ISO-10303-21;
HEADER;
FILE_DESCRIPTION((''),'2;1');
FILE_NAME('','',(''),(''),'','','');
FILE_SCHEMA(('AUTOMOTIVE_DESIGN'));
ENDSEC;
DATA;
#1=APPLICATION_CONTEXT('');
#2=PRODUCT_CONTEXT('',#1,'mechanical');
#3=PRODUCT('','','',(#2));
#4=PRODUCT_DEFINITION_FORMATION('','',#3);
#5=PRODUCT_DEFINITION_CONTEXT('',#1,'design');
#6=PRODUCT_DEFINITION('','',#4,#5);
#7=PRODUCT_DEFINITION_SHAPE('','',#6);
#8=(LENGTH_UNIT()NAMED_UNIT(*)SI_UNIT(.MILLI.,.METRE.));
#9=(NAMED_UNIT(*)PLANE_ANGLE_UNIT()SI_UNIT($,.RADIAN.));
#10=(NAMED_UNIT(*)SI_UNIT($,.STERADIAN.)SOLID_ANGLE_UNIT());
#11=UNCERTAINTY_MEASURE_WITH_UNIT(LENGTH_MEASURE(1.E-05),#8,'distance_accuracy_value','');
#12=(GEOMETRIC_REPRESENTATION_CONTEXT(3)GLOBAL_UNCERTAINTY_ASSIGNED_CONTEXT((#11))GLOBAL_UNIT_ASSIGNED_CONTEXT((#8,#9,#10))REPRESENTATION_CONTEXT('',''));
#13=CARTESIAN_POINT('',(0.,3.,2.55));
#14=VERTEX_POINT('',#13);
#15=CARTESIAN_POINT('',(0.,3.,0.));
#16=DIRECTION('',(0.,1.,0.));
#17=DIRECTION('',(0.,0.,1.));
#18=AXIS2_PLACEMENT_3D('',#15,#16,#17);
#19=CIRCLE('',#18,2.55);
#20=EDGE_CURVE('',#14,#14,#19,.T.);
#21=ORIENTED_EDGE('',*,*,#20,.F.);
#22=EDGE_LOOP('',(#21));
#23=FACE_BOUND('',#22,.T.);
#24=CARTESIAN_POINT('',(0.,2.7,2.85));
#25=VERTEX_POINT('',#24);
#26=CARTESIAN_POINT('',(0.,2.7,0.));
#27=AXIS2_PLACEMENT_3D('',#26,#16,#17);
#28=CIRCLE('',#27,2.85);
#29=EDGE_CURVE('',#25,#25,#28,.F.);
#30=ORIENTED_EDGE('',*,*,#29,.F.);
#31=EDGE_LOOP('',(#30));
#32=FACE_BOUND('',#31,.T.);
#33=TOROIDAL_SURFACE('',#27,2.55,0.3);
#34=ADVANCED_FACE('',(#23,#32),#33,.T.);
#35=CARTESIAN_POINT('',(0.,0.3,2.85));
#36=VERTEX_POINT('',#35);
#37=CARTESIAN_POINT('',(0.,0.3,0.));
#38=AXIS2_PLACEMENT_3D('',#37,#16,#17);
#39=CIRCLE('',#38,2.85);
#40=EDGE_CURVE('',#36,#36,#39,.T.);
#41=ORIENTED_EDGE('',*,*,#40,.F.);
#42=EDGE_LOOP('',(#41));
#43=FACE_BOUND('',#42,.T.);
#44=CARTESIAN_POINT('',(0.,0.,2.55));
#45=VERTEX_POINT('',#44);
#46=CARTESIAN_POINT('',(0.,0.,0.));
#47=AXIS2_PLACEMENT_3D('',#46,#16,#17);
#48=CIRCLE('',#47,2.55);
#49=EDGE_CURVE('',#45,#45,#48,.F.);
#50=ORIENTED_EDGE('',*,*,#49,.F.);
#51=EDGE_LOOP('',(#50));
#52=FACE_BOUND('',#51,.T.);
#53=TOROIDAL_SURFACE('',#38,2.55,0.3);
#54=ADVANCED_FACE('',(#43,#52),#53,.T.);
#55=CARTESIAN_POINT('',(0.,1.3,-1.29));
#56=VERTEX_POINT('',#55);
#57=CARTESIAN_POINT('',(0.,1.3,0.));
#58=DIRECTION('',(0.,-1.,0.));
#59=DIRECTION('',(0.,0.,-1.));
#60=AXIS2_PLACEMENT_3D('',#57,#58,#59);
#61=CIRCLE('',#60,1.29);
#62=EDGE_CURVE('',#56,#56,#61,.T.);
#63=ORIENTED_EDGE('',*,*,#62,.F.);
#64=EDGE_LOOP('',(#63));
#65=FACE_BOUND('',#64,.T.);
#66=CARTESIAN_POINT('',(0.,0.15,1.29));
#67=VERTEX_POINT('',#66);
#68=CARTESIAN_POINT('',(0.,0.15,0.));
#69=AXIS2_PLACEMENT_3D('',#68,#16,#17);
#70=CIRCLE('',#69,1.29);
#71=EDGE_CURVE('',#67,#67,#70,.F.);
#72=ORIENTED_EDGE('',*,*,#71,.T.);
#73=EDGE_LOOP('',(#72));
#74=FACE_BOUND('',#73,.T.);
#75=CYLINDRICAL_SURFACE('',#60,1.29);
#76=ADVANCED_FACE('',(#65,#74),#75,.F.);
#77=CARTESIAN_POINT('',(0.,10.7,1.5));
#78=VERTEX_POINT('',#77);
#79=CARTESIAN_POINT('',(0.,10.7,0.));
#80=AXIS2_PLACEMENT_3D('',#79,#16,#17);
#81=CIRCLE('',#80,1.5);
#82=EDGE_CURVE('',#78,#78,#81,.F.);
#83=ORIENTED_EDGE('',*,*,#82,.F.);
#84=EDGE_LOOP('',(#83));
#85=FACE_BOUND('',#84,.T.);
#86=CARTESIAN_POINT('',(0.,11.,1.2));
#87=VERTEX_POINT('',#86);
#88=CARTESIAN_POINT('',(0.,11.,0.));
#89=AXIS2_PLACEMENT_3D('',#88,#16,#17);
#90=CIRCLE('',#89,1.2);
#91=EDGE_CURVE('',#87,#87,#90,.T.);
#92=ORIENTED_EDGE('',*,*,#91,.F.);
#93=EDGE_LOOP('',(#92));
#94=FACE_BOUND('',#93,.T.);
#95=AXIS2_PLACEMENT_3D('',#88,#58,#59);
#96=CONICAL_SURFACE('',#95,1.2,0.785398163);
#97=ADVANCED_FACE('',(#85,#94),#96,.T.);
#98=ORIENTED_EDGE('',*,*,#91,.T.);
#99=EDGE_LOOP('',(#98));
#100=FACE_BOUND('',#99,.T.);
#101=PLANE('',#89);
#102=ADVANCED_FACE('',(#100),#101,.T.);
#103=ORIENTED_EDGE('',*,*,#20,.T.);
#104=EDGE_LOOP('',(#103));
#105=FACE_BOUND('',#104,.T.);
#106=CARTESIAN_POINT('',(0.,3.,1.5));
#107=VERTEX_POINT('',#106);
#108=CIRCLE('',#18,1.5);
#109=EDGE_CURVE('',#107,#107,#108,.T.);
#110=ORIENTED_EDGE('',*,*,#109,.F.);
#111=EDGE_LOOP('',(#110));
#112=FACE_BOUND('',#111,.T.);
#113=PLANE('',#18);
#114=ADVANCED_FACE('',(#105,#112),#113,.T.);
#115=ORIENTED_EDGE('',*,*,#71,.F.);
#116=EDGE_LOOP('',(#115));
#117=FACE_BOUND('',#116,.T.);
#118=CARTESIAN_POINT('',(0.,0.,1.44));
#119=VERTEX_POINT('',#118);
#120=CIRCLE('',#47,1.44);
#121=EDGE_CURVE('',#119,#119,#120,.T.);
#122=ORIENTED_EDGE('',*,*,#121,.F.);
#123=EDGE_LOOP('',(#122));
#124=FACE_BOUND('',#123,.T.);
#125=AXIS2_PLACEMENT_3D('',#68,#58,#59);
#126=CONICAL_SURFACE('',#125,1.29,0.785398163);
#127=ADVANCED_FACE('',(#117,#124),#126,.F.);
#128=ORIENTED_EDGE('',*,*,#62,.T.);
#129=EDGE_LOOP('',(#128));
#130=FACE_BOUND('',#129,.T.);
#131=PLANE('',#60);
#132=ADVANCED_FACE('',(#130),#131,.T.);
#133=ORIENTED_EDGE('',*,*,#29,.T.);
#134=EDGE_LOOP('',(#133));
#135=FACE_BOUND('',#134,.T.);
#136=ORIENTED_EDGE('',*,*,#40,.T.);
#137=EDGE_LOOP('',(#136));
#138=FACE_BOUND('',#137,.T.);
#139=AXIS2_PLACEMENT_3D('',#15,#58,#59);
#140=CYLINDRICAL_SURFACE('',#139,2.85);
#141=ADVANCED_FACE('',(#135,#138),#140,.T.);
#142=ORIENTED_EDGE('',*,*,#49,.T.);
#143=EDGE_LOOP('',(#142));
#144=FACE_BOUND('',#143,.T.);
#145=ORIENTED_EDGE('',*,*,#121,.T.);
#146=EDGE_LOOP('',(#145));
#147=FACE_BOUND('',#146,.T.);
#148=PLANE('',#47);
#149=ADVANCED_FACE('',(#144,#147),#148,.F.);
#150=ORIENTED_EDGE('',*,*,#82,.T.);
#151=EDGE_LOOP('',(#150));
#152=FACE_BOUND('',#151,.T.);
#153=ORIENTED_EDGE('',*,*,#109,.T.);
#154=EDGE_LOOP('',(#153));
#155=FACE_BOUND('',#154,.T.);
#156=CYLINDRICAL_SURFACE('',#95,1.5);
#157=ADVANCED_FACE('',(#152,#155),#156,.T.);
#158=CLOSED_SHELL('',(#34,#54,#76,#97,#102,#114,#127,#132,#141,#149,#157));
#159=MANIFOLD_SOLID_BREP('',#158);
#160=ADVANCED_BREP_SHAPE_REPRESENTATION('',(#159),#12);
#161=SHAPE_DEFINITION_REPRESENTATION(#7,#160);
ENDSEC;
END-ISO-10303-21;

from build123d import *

# Parameters (mm, degrees)
SKETCH_1_R          = 2.85
EXTRUDE_1_DEPTH     = 3
SKETCH_2_R          = 1.5
EXTRUDE_2_DEPTH     = 8
SKETCH_3_R          = 1.29
CUT_EXTRUDE_1_DEPTH = 1.3
FILLET_1_R          = 0.3
CHAMFER_1_SIZE      = 0.3
CHAMFER_2_SIZE      = 0.15


with BuildPart() as part:
    # 草图1 → 凸台-拉伸1 (new body)
    with BuildSketch(Plane(origin=(0, 0, 0), x_dir=(1, 0, 0), z_dir=(0, 1, 0))):
        with Locations(Location((0, 0, 0), (0, 0, 270))):
            Circle(SKETCH_1_R)
    extrude(amount=EXTRUDE_1_DEPTH)

    # 草图2 → 凸台-拉伸2 (add)
    with BuildSketch(Plane(origin=(0, 3, 0), x_dir=(1, 0, 0), z_dir=(0, 1, 0))):
        with Locations(Location((0, 0, 0), (0, 0, 270))):
            Circle(SKETCH_2_R)
    extrude(amount=EXTRUDE_2_DEPTH)

    # 草图3 → 切除-拉伸1 (cut)
    with BuildSketch(Plane.XZ):
        with Locations(Location((0, 0, 0), (0, 0, 270))):
            Circle(SKETCH_3_R)
    extrude(amount=-CUT_EXTRUDE_1_DEPTH, mode=Mode.SUBTRACT)

    # 圆角1
    fillet_1_edges = [part.edges().sort_by_distance(p)[0] for p in [
        (0, 0, -2.85),
        (0, 3, -2.85),
    ]]
    fillet(fillet_1_edges, radius=FILLET_1_R)

    # 倒角1
    chamfer_1_edges = [part.edges().sort_by_distance(p)[0] for p in [
        (0, 11, -1.5),
    ]]
    chamfer(chamfer_1_edges, length=CHAMFER_1_SIZE)

    # 倒角2
    chamfer_2_edges = [part.edges().sort_by_distance(p)[0] for p in [
        (0, 0, 1.29),
    ]]
    chamfer(chamfer_2_edges, length=CHAMFER_2_SIZE)


solid = part.part
